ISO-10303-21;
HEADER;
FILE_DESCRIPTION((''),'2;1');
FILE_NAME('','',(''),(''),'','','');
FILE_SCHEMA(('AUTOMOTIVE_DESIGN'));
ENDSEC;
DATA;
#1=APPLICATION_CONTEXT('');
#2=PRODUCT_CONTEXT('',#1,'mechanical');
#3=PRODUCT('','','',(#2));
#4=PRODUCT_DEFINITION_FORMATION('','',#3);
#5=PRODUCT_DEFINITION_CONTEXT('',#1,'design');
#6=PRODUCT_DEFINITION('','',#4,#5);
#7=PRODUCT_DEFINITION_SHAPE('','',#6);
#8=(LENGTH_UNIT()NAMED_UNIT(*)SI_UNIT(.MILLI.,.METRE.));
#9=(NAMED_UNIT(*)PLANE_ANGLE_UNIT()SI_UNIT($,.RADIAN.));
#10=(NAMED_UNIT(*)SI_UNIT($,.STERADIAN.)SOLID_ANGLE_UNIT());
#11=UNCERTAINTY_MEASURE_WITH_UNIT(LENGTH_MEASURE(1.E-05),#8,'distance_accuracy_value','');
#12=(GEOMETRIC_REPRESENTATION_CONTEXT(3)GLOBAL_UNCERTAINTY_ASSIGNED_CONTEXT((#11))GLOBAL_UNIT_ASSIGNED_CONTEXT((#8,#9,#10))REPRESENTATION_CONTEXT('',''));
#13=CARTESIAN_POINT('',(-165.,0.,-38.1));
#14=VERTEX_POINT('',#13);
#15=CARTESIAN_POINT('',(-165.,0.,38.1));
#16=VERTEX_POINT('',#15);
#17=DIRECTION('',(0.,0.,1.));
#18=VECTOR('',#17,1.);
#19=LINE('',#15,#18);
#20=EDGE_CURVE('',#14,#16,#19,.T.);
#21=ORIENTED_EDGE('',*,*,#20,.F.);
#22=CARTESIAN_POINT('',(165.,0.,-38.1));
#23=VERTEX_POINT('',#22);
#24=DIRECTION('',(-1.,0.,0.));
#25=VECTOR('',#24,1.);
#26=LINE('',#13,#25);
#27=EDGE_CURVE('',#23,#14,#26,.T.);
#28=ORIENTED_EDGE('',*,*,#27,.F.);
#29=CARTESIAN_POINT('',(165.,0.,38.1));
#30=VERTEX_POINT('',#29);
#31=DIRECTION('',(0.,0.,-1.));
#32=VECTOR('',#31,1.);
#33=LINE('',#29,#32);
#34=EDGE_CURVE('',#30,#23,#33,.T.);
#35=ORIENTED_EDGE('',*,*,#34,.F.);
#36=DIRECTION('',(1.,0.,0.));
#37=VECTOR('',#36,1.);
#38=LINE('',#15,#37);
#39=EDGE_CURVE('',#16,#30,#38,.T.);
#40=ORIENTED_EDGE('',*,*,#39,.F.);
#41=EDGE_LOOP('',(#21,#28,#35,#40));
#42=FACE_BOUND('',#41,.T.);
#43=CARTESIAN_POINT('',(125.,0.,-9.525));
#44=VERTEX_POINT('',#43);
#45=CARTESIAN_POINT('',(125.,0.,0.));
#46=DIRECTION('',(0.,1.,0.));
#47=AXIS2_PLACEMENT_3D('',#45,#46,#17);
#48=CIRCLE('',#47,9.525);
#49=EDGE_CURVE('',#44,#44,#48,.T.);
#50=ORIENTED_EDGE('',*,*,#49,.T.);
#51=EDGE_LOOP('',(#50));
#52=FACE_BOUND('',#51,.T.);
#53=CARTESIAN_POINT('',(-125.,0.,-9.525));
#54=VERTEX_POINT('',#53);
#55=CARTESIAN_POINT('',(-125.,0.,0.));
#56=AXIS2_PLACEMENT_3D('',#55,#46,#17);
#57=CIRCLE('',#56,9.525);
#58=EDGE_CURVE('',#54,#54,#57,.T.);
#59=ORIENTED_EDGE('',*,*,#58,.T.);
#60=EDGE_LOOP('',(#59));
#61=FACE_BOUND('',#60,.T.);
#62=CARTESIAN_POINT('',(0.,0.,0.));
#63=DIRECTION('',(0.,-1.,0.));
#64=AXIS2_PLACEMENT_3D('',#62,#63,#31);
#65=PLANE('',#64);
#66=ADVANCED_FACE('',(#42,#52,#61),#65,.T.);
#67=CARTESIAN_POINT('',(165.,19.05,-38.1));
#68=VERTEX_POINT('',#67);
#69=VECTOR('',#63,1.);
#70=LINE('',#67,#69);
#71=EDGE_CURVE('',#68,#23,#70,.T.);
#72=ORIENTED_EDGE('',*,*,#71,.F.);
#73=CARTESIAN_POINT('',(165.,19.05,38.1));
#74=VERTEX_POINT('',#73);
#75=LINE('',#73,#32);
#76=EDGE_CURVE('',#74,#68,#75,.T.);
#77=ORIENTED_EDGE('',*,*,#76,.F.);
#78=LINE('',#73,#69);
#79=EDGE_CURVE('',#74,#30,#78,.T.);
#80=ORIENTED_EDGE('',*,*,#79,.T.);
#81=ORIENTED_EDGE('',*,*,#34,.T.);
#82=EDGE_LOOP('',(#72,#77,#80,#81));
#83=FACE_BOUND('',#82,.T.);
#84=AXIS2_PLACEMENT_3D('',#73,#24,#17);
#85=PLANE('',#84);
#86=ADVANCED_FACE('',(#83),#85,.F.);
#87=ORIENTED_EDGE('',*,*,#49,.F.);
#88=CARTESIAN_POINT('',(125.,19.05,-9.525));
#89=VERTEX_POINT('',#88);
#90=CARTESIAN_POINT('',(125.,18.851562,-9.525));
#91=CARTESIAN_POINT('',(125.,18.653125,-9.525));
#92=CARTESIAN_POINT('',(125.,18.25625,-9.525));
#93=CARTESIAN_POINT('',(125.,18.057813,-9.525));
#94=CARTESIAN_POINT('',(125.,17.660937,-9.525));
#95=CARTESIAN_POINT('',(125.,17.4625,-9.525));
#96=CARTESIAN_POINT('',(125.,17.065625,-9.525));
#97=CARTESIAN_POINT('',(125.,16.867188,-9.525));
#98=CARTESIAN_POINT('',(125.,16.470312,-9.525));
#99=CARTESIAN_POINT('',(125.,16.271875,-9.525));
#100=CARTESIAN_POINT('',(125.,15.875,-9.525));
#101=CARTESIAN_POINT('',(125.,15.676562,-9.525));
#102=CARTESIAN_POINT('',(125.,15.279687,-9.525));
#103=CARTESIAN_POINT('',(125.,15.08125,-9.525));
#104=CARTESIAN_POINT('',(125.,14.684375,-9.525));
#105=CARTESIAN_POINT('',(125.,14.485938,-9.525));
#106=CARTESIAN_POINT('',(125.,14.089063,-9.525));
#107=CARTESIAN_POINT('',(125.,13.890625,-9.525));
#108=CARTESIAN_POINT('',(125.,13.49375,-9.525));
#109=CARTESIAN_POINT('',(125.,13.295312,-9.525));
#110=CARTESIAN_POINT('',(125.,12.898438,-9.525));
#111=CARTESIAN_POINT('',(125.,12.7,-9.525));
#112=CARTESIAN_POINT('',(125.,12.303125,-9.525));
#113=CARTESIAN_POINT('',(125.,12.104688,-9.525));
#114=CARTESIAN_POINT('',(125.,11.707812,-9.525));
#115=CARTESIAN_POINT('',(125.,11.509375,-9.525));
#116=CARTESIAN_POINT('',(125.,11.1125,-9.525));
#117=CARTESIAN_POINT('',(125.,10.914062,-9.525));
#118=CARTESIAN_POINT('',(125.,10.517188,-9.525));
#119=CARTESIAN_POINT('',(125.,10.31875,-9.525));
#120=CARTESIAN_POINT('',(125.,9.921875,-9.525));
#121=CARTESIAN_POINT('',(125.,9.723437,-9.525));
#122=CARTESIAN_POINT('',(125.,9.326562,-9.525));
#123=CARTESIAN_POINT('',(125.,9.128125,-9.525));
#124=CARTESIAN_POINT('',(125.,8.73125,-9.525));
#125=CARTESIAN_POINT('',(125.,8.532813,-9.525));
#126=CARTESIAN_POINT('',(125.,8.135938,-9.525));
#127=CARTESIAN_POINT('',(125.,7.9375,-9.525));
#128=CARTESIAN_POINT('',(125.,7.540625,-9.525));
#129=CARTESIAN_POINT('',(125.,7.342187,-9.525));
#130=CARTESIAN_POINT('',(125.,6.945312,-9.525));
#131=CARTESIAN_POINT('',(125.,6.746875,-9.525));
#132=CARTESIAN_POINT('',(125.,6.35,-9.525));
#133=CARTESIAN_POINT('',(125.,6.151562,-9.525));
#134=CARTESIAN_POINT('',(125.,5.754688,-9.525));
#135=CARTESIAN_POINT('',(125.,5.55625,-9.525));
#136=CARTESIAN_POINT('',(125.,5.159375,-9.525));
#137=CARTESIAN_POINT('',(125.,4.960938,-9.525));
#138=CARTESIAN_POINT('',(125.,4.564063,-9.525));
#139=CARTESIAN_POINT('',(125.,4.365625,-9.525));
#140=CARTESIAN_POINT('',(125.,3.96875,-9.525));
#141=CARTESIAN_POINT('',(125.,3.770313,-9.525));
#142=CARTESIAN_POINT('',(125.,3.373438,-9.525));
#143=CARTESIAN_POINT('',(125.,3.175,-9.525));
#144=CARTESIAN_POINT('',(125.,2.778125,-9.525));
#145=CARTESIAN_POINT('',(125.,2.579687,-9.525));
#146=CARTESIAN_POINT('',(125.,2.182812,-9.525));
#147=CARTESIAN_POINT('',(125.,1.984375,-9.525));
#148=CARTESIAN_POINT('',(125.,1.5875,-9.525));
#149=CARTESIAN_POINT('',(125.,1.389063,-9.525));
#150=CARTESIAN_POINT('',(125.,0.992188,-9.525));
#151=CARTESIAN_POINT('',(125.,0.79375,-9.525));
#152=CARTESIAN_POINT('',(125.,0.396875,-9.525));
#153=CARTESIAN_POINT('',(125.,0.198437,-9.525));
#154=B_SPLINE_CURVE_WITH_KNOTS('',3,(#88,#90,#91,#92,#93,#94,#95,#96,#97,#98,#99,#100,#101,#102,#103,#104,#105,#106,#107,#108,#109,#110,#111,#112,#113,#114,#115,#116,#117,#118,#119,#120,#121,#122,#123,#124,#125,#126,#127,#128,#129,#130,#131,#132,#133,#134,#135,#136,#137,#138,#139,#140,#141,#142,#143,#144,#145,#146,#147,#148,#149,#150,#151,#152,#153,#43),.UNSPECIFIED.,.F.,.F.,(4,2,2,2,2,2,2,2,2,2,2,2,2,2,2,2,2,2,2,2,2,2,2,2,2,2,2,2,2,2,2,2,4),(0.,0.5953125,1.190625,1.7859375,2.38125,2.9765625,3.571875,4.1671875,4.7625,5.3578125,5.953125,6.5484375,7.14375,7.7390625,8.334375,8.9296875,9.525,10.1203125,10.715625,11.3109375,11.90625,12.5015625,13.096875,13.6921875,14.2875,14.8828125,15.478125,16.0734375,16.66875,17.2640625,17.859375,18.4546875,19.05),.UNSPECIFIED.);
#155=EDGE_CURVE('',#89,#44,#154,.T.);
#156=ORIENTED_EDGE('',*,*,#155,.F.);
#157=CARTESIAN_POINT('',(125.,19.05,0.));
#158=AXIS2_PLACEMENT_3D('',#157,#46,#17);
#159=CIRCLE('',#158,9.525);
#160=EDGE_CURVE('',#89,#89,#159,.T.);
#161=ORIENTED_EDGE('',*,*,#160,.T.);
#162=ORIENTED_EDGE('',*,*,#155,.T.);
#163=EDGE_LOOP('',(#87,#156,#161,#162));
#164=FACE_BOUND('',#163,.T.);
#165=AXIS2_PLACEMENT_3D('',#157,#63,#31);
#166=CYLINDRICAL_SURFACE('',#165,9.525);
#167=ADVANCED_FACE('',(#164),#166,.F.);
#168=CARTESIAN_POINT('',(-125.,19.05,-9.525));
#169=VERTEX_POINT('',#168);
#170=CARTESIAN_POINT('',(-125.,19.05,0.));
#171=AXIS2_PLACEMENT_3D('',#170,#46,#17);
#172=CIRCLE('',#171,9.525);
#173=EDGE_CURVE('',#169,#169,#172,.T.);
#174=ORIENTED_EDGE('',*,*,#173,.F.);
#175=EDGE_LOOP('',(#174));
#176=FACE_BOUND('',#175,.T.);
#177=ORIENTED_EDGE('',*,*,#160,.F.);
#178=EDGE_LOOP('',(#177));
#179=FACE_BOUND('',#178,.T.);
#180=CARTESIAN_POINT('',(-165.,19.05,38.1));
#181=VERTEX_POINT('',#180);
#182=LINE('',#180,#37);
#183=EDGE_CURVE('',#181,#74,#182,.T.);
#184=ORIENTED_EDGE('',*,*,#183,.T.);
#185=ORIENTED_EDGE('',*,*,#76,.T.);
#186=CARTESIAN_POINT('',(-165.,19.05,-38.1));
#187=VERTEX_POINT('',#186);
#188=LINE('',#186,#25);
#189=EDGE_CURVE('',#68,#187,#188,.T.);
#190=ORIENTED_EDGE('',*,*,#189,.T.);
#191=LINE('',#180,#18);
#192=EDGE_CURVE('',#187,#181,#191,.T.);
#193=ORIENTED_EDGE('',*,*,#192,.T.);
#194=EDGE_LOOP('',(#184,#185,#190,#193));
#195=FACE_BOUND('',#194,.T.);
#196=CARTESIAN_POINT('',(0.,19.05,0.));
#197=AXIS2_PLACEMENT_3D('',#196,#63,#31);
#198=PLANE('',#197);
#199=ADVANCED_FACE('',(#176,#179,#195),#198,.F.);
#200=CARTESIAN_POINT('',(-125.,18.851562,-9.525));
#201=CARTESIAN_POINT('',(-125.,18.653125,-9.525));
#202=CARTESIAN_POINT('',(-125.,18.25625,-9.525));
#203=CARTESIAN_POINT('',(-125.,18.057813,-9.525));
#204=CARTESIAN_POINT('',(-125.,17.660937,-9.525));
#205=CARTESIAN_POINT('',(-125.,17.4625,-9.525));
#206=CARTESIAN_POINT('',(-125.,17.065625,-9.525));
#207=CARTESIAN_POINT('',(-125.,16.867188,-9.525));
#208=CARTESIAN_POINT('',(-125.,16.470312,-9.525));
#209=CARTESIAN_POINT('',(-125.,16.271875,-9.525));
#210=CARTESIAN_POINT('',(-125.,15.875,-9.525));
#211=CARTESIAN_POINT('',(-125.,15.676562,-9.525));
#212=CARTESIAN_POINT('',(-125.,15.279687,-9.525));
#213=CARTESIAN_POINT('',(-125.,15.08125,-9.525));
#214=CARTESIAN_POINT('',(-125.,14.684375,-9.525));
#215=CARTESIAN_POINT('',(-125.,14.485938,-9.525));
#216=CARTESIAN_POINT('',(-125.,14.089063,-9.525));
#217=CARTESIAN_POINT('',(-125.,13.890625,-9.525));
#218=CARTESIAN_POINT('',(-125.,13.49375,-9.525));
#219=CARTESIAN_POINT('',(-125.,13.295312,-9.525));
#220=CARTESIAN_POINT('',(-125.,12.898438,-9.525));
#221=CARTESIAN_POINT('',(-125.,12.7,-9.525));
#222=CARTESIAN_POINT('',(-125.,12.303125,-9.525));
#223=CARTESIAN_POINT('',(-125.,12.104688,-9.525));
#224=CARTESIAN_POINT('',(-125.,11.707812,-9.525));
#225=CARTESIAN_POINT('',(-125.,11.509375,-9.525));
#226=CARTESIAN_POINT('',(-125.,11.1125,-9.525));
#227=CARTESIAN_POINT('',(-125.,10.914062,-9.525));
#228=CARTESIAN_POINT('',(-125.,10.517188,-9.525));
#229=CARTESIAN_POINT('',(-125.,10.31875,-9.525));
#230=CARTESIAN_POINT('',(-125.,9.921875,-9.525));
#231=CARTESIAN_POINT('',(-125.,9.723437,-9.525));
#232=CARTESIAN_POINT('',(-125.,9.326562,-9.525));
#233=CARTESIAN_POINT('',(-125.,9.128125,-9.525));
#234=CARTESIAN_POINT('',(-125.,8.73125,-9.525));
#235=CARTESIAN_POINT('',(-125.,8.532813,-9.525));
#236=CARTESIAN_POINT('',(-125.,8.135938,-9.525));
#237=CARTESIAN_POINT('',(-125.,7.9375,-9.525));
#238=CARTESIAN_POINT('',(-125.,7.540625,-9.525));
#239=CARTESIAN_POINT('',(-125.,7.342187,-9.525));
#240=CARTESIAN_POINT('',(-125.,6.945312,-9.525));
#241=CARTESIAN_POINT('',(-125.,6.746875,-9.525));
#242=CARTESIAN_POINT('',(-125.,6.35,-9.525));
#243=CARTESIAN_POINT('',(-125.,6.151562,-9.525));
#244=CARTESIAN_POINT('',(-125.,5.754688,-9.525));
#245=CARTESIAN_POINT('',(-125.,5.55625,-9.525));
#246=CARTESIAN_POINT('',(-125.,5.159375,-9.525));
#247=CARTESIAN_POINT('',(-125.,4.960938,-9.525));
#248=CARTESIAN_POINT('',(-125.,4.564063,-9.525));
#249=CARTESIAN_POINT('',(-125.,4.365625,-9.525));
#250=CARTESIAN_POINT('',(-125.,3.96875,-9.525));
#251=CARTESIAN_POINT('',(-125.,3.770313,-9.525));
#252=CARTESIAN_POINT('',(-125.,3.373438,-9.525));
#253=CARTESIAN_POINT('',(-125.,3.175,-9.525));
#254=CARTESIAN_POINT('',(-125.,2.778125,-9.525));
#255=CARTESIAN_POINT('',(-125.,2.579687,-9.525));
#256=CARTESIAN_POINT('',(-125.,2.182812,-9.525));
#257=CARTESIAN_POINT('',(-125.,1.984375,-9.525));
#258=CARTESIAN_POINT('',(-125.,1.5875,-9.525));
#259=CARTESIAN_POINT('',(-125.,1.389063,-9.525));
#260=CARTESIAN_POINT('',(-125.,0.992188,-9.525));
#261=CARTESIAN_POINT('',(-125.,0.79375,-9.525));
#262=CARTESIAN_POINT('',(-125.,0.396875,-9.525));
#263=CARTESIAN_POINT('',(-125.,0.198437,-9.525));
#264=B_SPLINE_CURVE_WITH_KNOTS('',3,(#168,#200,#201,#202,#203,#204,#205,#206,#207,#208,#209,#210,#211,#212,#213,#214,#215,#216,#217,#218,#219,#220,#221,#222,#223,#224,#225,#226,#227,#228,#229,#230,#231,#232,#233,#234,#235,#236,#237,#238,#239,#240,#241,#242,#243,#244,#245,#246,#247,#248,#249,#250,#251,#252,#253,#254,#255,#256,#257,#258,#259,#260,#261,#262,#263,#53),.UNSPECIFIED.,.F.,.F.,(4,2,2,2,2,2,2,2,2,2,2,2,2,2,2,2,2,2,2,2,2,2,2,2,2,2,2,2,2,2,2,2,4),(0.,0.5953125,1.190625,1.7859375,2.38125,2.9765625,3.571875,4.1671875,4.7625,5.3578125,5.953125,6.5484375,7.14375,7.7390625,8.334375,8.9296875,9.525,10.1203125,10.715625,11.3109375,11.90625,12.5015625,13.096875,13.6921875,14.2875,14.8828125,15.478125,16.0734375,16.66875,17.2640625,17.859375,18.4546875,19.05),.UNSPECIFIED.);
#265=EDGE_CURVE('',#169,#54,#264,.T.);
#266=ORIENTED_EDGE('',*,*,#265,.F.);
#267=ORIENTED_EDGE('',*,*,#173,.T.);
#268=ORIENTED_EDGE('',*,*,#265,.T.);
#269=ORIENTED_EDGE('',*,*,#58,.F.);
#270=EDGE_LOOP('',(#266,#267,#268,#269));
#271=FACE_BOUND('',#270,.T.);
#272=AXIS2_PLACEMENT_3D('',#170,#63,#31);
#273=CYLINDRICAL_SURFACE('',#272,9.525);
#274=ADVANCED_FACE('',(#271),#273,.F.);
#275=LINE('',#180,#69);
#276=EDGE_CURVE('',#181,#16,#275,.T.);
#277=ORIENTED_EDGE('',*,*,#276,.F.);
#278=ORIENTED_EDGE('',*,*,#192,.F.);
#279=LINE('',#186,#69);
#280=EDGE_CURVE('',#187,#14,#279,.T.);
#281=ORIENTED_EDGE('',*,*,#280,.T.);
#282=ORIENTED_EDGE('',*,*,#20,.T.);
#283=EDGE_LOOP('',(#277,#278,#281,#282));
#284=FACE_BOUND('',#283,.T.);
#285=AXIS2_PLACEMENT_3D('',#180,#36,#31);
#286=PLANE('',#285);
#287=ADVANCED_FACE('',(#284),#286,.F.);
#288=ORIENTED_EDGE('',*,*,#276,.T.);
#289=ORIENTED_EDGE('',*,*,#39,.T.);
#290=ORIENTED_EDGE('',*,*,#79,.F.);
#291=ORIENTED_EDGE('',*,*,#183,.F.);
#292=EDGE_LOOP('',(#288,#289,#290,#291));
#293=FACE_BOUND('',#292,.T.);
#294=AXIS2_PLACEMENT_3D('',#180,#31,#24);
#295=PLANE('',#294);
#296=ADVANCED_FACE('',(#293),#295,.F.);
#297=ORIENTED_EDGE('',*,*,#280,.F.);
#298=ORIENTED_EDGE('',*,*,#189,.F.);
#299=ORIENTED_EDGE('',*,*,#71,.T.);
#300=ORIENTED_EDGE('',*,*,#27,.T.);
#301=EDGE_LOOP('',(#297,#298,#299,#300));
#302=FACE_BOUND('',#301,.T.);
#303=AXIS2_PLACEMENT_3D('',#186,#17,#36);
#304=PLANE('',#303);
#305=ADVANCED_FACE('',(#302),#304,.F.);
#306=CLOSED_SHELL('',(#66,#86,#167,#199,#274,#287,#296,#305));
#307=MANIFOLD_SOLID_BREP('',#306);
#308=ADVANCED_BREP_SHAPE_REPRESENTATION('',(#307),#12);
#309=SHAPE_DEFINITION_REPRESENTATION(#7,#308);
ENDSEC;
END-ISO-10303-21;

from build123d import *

# Parameters (mm, degrees)
SKETCH1_W           = 330
SKETCH1_H           = 76.2
SKETCH1_R           = 9.525
BOSS_EXTRUDE1_DEPTH = 19.05


with BuildPart() as part:
    # Sketch1 → Boss-Extrude1 (new body)
    with BuildSketch(Plane(origin=(0, 0, 0), x_dir=(1, 0, 0), z_dir=(0, 1, 0))):
        Rectangle(SKETCH1_W, SKETCH1_H)
        with Locations(Location((-125, 0, 0), (0, 0, 90))):
            Circle(SKETCH1_R, mode=Mode.SUBTRACT)
        with Locations(Location((125, 0, 0), (0, 0, 90))):
            Circle(SKETCH1_R, mode=Mode.SUBTRACT)
    extrude(amount=BOSS_EXTRUDE1_DEPTH)


solid = part.part
